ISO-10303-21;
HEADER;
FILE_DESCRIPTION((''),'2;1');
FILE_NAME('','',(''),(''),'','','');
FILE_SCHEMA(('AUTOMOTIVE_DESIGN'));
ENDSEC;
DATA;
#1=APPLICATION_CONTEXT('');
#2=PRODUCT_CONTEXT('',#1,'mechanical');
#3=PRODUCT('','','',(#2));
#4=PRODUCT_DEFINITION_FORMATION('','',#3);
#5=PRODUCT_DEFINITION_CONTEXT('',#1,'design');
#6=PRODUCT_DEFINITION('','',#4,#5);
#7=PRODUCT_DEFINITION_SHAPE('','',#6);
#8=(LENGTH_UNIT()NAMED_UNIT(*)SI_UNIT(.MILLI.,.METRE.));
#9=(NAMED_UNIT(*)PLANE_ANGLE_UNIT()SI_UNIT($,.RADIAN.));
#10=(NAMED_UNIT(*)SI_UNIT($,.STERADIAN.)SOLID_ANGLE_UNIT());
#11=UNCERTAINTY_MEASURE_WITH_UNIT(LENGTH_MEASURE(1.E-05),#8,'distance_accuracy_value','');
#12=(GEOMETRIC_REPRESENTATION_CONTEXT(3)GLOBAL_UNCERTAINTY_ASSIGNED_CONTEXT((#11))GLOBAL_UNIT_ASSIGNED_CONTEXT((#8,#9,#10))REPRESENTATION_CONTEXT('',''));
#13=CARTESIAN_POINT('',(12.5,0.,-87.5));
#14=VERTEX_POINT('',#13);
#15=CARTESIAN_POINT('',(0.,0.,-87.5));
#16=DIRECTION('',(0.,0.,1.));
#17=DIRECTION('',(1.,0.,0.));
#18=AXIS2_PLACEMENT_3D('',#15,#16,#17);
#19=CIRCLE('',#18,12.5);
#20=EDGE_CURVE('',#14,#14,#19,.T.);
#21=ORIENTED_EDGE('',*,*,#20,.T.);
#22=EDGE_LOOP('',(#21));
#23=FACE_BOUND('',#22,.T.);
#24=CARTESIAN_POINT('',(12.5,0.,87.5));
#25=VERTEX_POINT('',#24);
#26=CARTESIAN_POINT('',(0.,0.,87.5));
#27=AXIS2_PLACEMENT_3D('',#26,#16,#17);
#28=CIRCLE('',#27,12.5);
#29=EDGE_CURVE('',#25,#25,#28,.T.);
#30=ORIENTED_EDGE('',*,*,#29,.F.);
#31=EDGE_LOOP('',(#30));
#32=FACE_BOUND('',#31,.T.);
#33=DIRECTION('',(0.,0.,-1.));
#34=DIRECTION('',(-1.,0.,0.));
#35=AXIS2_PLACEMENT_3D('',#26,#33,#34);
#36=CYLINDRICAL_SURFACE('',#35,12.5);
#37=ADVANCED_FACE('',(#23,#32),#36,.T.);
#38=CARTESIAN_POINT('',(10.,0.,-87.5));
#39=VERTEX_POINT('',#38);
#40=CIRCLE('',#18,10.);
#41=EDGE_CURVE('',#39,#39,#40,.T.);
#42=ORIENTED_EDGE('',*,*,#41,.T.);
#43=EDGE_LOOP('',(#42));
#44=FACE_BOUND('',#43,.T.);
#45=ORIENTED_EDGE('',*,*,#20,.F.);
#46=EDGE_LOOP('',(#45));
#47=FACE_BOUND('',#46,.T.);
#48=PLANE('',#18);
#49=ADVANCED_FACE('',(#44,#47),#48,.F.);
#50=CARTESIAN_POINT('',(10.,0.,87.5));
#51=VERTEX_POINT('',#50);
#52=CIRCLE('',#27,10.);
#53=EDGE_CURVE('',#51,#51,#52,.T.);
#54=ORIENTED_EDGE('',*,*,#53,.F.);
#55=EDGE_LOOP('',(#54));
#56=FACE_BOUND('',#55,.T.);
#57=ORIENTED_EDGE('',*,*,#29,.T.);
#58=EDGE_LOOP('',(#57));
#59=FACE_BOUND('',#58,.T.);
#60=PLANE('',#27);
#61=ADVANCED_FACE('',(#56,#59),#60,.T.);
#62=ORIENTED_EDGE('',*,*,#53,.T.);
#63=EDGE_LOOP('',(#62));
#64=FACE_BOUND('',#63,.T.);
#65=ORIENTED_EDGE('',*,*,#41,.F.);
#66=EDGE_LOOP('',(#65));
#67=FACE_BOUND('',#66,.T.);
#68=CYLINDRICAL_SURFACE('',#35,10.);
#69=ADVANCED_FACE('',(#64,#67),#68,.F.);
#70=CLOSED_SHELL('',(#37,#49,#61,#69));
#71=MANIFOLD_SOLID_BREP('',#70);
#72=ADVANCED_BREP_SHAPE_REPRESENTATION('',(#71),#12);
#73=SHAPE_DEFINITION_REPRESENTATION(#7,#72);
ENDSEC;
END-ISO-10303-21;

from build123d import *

# Parameters (mm, degrees)
SKETCH1_R           = 12.5
SKETCH1_R_2         = 10
BOSS_EXTRUDE1_DEPTH = 87.5


with BuildPart() as part:
    # Sketch1 → Boss-Extrude1 (new, symmetric)
    with BuildSketch(Plane.XY):
        Circle(SKETCH1_R)
        Circle(SKETCH1_R_2, mode=Mode.SUBTRACT)
    extrude(amount=BOSS_EXTRUDE1_DEPTH, both=True)


solid = part.part
